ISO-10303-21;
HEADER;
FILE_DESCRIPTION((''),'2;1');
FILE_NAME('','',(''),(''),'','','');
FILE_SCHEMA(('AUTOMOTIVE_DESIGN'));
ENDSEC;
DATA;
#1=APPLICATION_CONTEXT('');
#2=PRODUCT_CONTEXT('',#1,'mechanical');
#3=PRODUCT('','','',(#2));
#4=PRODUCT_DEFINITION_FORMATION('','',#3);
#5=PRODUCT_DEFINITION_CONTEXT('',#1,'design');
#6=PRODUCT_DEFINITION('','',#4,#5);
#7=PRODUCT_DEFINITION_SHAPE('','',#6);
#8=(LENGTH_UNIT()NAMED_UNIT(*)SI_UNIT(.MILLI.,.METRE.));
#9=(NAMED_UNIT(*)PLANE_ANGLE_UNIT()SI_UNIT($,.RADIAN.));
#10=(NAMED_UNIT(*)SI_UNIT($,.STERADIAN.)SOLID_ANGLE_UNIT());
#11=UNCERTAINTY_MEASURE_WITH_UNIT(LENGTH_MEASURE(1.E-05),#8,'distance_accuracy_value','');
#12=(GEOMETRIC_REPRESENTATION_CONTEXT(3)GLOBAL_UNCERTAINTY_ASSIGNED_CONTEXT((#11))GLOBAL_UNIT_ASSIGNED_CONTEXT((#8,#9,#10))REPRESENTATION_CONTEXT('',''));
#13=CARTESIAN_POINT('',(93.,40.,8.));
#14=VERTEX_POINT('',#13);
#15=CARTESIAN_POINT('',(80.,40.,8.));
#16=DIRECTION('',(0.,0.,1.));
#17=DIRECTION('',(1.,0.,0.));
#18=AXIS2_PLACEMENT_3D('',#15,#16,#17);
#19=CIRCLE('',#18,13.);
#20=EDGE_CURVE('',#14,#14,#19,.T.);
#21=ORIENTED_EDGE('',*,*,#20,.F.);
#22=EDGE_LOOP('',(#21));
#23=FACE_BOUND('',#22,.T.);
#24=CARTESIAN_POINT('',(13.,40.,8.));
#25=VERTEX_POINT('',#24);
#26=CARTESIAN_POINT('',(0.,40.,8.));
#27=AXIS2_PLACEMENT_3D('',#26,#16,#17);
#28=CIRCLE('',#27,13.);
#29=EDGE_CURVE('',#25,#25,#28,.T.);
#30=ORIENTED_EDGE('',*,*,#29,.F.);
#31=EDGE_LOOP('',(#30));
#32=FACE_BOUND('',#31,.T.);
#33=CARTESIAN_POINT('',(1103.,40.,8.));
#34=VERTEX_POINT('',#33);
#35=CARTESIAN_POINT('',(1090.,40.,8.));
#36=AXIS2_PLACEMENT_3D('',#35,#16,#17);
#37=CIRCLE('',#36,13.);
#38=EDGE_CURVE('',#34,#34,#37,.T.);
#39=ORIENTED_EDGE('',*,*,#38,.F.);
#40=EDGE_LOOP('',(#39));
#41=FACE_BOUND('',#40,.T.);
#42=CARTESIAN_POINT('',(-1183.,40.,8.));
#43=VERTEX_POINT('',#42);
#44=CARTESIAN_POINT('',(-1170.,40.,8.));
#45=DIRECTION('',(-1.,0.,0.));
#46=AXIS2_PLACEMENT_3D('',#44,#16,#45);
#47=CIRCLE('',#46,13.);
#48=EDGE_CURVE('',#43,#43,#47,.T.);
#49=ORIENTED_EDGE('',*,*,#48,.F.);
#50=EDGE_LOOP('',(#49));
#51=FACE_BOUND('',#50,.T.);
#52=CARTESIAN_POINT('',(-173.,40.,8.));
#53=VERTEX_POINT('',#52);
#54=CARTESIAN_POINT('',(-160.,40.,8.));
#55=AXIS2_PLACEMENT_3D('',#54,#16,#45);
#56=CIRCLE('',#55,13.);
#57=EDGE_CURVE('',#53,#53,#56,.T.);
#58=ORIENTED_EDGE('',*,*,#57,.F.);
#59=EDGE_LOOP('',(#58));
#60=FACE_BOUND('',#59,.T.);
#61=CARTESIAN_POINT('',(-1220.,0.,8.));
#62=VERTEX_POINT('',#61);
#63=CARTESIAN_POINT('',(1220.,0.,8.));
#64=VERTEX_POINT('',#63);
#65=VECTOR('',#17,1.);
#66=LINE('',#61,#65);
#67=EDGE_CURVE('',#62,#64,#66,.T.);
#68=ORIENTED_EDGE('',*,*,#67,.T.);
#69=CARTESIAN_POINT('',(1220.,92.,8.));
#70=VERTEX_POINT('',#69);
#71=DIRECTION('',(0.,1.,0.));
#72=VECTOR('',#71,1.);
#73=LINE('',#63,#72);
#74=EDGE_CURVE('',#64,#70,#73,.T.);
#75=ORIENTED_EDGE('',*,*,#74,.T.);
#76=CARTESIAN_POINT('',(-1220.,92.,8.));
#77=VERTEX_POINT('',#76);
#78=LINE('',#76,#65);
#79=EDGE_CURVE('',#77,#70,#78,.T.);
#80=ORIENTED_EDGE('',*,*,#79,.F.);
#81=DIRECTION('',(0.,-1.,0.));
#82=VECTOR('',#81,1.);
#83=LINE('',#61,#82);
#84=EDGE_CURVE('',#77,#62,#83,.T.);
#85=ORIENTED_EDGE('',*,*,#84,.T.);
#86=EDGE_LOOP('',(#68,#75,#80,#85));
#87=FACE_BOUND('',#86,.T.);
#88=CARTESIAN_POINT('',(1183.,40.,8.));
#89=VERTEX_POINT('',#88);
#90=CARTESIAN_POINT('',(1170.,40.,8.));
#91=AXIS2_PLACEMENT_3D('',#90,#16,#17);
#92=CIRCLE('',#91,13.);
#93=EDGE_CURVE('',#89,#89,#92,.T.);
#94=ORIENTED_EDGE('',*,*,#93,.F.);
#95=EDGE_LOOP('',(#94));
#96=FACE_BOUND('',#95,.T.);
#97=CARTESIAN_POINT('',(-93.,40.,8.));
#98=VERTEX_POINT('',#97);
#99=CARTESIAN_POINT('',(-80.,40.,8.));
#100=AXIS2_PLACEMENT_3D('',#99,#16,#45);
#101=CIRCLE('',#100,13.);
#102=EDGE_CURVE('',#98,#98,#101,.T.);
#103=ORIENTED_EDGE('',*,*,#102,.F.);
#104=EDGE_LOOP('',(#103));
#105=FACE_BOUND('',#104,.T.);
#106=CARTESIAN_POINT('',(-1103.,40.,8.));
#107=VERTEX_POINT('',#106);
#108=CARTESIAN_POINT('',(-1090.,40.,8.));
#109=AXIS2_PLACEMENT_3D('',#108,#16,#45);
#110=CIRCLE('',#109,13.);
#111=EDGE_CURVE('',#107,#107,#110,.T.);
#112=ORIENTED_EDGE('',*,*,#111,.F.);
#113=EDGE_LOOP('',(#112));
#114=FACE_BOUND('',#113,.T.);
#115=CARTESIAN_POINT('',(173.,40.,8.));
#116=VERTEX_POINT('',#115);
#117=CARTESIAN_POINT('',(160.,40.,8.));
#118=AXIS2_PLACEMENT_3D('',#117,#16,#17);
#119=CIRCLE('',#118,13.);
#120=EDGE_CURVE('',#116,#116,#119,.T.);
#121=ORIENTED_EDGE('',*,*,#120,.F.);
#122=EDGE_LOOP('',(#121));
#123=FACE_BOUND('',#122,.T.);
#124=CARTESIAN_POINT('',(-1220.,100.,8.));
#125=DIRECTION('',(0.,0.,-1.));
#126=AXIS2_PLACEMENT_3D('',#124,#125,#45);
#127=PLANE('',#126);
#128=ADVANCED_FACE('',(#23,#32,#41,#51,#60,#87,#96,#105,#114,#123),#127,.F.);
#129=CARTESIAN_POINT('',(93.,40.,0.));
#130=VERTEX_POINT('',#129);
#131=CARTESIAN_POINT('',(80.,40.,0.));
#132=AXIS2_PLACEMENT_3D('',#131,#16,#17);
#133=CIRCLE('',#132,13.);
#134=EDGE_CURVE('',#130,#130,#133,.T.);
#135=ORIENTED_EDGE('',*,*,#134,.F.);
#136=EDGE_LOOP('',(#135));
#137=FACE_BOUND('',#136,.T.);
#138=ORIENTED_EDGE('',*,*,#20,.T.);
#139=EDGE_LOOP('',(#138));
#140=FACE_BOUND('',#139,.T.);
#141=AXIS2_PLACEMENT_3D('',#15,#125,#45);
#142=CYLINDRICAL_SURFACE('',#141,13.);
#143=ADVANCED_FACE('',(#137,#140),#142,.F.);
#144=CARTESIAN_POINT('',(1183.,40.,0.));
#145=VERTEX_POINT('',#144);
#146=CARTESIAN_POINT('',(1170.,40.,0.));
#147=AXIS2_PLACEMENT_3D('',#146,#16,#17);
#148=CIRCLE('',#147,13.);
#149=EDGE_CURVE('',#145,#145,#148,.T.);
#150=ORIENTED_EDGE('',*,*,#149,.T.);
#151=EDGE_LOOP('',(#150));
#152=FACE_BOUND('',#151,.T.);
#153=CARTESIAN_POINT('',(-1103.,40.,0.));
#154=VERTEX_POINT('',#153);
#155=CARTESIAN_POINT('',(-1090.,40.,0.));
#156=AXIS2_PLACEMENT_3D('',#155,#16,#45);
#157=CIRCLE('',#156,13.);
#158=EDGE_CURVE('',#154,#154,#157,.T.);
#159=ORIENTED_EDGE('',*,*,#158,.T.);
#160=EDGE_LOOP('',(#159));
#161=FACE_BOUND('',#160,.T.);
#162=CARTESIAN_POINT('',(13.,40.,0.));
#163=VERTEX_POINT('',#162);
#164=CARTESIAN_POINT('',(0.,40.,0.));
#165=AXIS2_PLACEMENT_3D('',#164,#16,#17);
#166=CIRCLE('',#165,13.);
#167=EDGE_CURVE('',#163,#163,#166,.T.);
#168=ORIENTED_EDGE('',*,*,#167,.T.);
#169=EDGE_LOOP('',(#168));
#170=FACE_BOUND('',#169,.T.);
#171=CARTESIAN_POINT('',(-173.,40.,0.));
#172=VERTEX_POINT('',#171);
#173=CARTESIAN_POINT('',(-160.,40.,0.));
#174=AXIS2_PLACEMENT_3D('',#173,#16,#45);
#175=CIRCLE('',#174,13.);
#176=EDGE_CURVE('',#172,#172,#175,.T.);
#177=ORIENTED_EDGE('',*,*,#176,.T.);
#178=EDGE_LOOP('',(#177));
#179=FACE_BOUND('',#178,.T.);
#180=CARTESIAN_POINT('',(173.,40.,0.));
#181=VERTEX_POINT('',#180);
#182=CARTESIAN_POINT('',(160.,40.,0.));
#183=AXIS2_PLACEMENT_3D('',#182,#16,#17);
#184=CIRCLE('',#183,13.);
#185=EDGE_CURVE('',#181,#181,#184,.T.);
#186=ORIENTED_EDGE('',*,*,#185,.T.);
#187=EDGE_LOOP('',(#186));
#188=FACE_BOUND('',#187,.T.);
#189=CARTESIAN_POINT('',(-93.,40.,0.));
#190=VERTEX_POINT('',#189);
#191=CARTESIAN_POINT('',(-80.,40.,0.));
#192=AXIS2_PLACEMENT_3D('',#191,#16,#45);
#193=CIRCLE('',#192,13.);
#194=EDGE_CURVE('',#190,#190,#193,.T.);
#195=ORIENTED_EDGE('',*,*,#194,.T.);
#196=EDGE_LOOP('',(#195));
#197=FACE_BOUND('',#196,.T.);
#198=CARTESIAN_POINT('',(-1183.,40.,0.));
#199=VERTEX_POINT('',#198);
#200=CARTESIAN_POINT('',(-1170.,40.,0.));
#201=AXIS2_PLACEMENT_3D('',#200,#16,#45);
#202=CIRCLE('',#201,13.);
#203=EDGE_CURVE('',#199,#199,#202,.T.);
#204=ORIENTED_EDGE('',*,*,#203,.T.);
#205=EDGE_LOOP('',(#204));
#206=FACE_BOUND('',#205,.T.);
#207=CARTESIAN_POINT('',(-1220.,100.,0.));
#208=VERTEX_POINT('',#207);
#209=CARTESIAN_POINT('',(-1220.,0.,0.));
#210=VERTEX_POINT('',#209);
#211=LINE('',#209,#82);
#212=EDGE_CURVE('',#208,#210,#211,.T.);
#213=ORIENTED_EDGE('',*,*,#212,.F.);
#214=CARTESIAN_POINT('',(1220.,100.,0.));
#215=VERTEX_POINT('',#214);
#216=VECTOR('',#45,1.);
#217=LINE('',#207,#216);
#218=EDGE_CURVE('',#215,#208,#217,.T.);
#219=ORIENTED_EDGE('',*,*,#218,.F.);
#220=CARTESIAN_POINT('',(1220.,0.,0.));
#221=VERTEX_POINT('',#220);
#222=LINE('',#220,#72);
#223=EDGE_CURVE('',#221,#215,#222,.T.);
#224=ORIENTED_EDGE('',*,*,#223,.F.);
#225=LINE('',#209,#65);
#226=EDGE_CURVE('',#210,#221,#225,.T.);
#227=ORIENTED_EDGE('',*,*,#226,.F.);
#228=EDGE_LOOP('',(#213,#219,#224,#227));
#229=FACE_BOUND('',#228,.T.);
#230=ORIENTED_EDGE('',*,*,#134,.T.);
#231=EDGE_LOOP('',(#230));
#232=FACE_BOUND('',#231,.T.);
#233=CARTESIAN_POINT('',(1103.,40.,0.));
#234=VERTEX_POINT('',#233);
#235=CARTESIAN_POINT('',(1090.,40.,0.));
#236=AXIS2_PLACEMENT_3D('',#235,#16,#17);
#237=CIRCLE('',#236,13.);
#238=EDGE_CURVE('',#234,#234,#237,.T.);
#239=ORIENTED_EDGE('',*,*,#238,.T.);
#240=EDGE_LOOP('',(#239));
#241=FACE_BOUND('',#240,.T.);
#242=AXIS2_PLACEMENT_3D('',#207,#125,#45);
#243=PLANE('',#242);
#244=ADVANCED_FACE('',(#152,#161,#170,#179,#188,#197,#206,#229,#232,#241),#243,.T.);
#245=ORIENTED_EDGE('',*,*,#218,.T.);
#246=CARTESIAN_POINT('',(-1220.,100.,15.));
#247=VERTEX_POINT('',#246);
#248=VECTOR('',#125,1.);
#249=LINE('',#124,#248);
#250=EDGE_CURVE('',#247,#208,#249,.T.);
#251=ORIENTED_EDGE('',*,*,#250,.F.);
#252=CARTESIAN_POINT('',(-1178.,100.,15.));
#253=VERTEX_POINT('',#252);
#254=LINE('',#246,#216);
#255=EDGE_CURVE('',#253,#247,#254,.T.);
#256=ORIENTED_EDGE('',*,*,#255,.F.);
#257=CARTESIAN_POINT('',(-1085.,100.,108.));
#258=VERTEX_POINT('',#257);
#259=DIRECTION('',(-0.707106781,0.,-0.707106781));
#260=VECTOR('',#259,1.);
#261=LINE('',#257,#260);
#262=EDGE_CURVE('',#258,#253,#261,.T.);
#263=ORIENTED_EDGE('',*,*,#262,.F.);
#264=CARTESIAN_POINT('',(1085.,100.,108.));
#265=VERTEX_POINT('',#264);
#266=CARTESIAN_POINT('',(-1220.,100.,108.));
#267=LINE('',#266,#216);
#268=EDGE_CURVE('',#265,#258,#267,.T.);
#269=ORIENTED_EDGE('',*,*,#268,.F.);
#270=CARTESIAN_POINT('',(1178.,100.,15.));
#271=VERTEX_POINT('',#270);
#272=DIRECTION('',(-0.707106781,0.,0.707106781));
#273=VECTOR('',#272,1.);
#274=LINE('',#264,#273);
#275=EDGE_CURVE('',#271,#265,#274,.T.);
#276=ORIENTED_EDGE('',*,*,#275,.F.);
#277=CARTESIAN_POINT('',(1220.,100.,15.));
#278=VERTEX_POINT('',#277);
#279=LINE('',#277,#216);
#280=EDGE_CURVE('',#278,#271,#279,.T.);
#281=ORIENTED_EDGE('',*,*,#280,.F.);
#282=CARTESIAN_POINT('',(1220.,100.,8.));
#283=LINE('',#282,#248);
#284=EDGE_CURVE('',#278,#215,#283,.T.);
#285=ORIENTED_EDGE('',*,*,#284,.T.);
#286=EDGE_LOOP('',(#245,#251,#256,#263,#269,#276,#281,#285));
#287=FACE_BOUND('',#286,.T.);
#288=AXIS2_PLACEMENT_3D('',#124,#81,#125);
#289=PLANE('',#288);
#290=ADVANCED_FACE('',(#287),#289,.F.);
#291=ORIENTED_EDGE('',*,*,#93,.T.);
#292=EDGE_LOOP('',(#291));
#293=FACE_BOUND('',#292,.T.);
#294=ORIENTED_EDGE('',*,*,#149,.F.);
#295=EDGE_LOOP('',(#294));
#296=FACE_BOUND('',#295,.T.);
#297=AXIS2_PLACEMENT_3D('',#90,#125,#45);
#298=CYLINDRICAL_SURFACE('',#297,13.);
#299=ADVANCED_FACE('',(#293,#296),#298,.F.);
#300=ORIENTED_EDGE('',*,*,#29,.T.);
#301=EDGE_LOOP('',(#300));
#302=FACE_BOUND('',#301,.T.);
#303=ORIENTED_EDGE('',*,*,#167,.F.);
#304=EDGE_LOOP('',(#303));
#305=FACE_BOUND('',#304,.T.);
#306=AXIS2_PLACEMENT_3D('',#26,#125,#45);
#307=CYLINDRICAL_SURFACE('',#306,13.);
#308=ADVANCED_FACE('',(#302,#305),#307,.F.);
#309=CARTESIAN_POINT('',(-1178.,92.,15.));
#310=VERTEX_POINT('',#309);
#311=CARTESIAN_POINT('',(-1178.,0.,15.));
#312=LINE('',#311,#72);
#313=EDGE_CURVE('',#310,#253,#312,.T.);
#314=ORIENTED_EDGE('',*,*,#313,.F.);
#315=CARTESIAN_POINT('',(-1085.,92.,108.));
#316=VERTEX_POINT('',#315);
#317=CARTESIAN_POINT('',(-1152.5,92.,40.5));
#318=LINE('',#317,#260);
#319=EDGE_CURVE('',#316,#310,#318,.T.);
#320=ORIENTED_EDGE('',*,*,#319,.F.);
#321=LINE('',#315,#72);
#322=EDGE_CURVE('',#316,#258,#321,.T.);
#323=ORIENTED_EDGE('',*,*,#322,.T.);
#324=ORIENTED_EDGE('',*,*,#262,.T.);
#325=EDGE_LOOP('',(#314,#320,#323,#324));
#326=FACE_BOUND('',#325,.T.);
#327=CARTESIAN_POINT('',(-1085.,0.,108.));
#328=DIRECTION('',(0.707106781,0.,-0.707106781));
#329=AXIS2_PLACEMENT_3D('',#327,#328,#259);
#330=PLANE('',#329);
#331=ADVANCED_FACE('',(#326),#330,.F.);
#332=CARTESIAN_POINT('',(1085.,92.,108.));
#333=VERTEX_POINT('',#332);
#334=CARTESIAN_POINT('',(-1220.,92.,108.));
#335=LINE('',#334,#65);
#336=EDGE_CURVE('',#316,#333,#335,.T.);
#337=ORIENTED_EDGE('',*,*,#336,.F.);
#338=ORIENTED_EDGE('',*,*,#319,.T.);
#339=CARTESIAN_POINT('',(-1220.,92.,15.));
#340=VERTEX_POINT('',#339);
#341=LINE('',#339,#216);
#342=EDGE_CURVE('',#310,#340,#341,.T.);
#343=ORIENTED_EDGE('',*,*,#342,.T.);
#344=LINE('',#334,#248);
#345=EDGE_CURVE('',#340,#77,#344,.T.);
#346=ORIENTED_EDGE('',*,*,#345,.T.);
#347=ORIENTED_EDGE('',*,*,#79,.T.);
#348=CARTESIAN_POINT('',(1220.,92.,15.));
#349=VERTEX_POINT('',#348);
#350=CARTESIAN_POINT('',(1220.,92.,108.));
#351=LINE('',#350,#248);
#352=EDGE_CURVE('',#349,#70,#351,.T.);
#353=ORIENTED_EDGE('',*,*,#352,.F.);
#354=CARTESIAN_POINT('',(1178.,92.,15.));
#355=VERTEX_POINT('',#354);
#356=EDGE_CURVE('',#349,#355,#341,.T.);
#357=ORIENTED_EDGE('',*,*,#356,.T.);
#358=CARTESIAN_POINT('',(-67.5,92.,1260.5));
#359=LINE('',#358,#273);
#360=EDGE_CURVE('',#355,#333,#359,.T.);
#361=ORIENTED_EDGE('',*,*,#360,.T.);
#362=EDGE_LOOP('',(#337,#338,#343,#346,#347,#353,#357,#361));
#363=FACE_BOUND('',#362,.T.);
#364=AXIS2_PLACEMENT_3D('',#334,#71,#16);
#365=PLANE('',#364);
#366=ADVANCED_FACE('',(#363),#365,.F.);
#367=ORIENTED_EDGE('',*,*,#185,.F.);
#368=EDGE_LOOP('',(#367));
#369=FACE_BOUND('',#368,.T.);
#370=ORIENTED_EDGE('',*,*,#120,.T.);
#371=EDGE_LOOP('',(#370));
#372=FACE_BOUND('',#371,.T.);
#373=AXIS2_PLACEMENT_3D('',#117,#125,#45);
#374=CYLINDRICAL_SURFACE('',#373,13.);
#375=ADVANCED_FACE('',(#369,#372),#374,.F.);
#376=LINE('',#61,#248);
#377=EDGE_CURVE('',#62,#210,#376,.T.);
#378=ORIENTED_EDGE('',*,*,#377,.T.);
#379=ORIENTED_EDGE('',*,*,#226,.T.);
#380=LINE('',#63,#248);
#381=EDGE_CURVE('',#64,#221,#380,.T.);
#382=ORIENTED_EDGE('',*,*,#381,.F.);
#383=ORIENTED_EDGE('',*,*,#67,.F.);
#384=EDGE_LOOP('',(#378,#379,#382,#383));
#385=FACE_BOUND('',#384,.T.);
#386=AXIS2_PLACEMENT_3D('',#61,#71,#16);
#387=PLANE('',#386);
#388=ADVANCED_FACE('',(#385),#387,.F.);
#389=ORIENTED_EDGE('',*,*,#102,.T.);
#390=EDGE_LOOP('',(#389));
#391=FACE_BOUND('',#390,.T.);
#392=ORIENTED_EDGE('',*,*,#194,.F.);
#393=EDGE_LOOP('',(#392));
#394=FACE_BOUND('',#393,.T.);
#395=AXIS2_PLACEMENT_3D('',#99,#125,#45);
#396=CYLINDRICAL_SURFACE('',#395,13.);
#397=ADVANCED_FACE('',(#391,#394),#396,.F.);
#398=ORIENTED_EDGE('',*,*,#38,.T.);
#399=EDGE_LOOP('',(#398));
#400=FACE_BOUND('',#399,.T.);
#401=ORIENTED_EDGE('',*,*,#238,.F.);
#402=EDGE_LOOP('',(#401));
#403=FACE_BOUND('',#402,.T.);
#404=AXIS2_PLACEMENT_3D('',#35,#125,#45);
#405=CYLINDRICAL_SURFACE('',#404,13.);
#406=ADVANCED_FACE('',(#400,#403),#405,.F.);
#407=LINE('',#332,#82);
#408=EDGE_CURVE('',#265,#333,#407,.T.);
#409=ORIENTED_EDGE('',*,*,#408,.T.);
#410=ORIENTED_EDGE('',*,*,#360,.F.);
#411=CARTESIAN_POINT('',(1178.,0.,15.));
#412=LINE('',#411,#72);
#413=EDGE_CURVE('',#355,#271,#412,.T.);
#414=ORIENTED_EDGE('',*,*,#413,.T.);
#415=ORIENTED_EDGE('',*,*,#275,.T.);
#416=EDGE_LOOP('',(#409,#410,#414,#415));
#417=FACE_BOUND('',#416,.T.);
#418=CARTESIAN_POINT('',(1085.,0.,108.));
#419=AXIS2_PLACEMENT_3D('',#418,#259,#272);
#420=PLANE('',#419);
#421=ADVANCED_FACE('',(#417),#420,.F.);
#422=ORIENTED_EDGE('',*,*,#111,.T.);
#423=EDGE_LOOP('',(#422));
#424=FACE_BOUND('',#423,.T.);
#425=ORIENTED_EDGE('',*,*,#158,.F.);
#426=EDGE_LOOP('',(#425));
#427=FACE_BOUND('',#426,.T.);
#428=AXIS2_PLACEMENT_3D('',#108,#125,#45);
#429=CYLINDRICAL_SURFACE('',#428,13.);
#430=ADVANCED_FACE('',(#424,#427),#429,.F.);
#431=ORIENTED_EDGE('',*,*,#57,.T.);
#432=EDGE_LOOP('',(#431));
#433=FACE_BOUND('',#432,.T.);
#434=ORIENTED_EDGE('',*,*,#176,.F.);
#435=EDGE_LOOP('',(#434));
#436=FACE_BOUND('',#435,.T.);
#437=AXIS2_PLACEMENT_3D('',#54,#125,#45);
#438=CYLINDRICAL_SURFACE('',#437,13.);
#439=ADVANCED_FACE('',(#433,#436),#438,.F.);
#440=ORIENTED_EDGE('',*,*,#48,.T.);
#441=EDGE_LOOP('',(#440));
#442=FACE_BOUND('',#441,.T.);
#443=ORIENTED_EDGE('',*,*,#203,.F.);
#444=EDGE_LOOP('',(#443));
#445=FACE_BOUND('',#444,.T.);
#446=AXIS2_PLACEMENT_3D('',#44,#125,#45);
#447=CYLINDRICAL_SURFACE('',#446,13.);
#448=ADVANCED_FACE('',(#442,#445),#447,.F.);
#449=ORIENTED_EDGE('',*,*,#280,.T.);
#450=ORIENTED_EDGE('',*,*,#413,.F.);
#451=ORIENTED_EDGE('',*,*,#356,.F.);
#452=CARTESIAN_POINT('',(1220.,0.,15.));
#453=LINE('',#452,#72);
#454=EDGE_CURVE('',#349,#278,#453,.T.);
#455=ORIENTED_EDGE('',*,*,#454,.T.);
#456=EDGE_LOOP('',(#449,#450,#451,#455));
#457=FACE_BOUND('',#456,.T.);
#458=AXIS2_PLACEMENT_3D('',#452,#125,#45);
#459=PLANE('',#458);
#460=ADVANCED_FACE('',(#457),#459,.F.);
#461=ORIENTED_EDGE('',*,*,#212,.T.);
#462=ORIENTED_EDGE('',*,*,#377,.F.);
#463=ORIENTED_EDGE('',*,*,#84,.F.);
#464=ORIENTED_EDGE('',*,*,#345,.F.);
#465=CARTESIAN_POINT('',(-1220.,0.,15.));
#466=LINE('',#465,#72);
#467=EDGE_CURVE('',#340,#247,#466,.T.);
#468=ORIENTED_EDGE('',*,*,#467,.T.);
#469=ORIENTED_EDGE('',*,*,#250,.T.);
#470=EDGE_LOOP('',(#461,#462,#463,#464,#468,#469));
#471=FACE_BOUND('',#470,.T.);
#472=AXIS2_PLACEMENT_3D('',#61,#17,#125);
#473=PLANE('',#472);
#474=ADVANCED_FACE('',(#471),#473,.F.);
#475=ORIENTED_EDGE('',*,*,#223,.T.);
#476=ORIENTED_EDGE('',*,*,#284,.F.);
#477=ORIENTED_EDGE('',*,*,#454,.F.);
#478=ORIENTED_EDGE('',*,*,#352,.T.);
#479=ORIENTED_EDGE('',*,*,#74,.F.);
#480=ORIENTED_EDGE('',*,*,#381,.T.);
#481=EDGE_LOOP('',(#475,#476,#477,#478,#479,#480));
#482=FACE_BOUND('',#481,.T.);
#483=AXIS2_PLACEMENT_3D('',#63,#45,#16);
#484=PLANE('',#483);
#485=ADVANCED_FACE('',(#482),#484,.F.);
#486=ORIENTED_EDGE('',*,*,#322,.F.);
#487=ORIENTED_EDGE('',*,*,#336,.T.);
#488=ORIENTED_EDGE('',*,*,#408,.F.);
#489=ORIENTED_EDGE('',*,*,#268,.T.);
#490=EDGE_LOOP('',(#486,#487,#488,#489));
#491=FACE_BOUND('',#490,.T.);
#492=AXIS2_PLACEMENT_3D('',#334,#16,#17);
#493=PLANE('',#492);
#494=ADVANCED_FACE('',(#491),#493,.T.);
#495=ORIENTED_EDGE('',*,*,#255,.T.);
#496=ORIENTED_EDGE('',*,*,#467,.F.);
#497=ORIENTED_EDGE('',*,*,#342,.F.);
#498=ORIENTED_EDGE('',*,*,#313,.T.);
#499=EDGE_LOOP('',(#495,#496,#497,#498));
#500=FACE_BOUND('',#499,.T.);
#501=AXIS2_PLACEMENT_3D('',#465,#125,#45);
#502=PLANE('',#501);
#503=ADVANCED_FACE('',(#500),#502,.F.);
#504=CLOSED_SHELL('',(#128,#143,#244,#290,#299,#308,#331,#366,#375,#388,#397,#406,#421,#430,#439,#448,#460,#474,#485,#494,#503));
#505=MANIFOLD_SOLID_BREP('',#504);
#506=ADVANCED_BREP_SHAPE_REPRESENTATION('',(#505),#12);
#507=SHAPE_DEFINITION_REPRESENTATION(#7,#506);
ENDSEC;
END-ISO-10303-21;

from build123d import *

# Parameters (mm, degrees)
SKETCH_1_W          = 2440
SKETCH_1_H          = 100
SKETCH_1_R          = 13
EXTRUDE_710_DEPTH   = 8
SKETCH_2_W          = 2440
SKETCH_2_H          = 8
EXTRUDE_1_DEPTH     = 100
CUT_EXTRUDE_1_DEPTH = 1229.846613699


with BuildPart() as part:
    # 草图1 → Extrude 710 (new body)
    with BuildSketch(Plane.XY):
        with Locations((0, 50)):
            Rectangle(SKETCH_1_W, SKETCH_1_H)
        with Locations((1090, 40)):
            Circle(SKETCH_1_R, mode=Mode.SUBTRACT)
        with Locations((1170, 40)):
            Circle(SKETCH_1_R, mode=Mode.SUBTRACT)
        with Locations(Location((-1170, 40, 0), (0, 0, 180))):
            Circle(SKETCH_1_R, mode=Mode.SUBTRACT)
        with Locations(Location((-1090, 40, 0), (0, 0, 180))):
            Circle(SKETCH_1_R, mode=Mode.SUBTRACT)
        with Locations((0, 40)):
            Circle(SKETCH_1_R, mode=Mode.SUBTRACT)
        with Locations((80, 40)):
            Circle(SKETCH_1_R, mode=Mode.SUBTRACT)
        with Locations((160, 40)):
            Circle(SKETCH_1_R, mode=Mode.SUBTRACT)
        with Locations(Location((-160, 40, 0), (0, 0, 180))):
            Circle(SKETCH_1_R, mode=Mode.SUBTRACT)
        with Locations(Location((-80, 40, 0), (0, 0, 180))):
            Circle(SKETCH_1_R, mode=Mode.SUBTRACT)
    extrude(amount=EXTRUDE_710_DEPTH)

    # 草图2 → 凸台-拉伸1 (add)
    with BuildSketch(Plane.XY.offset(8)):
        with Locations((0, 96)):
            Rectangle(SKETCH_2_W, SKETCH_2_H)
    extrude(amount=EXTRUDE_1_DEPTH)

    # 草图3 → 切除-拉伸1 (cut, through all)
    with BuildSketch(Plane(origin=(0, 100, 0), x_dir=(-1, 0, 0), z_dir=(0, 1, 0))):
        Polygon((-1085, 108), (-1178, 15), (-1220, 15), (-1220, 108), align=None)
        Polygon((1220, 15), (1178, 15), (1085, 108), (1220, 108), align=None)
    extrude(amount=-CUT_EXTRUDE_1_DEPTH, mode=Mode.SUBTRACT)


solid = part.part
